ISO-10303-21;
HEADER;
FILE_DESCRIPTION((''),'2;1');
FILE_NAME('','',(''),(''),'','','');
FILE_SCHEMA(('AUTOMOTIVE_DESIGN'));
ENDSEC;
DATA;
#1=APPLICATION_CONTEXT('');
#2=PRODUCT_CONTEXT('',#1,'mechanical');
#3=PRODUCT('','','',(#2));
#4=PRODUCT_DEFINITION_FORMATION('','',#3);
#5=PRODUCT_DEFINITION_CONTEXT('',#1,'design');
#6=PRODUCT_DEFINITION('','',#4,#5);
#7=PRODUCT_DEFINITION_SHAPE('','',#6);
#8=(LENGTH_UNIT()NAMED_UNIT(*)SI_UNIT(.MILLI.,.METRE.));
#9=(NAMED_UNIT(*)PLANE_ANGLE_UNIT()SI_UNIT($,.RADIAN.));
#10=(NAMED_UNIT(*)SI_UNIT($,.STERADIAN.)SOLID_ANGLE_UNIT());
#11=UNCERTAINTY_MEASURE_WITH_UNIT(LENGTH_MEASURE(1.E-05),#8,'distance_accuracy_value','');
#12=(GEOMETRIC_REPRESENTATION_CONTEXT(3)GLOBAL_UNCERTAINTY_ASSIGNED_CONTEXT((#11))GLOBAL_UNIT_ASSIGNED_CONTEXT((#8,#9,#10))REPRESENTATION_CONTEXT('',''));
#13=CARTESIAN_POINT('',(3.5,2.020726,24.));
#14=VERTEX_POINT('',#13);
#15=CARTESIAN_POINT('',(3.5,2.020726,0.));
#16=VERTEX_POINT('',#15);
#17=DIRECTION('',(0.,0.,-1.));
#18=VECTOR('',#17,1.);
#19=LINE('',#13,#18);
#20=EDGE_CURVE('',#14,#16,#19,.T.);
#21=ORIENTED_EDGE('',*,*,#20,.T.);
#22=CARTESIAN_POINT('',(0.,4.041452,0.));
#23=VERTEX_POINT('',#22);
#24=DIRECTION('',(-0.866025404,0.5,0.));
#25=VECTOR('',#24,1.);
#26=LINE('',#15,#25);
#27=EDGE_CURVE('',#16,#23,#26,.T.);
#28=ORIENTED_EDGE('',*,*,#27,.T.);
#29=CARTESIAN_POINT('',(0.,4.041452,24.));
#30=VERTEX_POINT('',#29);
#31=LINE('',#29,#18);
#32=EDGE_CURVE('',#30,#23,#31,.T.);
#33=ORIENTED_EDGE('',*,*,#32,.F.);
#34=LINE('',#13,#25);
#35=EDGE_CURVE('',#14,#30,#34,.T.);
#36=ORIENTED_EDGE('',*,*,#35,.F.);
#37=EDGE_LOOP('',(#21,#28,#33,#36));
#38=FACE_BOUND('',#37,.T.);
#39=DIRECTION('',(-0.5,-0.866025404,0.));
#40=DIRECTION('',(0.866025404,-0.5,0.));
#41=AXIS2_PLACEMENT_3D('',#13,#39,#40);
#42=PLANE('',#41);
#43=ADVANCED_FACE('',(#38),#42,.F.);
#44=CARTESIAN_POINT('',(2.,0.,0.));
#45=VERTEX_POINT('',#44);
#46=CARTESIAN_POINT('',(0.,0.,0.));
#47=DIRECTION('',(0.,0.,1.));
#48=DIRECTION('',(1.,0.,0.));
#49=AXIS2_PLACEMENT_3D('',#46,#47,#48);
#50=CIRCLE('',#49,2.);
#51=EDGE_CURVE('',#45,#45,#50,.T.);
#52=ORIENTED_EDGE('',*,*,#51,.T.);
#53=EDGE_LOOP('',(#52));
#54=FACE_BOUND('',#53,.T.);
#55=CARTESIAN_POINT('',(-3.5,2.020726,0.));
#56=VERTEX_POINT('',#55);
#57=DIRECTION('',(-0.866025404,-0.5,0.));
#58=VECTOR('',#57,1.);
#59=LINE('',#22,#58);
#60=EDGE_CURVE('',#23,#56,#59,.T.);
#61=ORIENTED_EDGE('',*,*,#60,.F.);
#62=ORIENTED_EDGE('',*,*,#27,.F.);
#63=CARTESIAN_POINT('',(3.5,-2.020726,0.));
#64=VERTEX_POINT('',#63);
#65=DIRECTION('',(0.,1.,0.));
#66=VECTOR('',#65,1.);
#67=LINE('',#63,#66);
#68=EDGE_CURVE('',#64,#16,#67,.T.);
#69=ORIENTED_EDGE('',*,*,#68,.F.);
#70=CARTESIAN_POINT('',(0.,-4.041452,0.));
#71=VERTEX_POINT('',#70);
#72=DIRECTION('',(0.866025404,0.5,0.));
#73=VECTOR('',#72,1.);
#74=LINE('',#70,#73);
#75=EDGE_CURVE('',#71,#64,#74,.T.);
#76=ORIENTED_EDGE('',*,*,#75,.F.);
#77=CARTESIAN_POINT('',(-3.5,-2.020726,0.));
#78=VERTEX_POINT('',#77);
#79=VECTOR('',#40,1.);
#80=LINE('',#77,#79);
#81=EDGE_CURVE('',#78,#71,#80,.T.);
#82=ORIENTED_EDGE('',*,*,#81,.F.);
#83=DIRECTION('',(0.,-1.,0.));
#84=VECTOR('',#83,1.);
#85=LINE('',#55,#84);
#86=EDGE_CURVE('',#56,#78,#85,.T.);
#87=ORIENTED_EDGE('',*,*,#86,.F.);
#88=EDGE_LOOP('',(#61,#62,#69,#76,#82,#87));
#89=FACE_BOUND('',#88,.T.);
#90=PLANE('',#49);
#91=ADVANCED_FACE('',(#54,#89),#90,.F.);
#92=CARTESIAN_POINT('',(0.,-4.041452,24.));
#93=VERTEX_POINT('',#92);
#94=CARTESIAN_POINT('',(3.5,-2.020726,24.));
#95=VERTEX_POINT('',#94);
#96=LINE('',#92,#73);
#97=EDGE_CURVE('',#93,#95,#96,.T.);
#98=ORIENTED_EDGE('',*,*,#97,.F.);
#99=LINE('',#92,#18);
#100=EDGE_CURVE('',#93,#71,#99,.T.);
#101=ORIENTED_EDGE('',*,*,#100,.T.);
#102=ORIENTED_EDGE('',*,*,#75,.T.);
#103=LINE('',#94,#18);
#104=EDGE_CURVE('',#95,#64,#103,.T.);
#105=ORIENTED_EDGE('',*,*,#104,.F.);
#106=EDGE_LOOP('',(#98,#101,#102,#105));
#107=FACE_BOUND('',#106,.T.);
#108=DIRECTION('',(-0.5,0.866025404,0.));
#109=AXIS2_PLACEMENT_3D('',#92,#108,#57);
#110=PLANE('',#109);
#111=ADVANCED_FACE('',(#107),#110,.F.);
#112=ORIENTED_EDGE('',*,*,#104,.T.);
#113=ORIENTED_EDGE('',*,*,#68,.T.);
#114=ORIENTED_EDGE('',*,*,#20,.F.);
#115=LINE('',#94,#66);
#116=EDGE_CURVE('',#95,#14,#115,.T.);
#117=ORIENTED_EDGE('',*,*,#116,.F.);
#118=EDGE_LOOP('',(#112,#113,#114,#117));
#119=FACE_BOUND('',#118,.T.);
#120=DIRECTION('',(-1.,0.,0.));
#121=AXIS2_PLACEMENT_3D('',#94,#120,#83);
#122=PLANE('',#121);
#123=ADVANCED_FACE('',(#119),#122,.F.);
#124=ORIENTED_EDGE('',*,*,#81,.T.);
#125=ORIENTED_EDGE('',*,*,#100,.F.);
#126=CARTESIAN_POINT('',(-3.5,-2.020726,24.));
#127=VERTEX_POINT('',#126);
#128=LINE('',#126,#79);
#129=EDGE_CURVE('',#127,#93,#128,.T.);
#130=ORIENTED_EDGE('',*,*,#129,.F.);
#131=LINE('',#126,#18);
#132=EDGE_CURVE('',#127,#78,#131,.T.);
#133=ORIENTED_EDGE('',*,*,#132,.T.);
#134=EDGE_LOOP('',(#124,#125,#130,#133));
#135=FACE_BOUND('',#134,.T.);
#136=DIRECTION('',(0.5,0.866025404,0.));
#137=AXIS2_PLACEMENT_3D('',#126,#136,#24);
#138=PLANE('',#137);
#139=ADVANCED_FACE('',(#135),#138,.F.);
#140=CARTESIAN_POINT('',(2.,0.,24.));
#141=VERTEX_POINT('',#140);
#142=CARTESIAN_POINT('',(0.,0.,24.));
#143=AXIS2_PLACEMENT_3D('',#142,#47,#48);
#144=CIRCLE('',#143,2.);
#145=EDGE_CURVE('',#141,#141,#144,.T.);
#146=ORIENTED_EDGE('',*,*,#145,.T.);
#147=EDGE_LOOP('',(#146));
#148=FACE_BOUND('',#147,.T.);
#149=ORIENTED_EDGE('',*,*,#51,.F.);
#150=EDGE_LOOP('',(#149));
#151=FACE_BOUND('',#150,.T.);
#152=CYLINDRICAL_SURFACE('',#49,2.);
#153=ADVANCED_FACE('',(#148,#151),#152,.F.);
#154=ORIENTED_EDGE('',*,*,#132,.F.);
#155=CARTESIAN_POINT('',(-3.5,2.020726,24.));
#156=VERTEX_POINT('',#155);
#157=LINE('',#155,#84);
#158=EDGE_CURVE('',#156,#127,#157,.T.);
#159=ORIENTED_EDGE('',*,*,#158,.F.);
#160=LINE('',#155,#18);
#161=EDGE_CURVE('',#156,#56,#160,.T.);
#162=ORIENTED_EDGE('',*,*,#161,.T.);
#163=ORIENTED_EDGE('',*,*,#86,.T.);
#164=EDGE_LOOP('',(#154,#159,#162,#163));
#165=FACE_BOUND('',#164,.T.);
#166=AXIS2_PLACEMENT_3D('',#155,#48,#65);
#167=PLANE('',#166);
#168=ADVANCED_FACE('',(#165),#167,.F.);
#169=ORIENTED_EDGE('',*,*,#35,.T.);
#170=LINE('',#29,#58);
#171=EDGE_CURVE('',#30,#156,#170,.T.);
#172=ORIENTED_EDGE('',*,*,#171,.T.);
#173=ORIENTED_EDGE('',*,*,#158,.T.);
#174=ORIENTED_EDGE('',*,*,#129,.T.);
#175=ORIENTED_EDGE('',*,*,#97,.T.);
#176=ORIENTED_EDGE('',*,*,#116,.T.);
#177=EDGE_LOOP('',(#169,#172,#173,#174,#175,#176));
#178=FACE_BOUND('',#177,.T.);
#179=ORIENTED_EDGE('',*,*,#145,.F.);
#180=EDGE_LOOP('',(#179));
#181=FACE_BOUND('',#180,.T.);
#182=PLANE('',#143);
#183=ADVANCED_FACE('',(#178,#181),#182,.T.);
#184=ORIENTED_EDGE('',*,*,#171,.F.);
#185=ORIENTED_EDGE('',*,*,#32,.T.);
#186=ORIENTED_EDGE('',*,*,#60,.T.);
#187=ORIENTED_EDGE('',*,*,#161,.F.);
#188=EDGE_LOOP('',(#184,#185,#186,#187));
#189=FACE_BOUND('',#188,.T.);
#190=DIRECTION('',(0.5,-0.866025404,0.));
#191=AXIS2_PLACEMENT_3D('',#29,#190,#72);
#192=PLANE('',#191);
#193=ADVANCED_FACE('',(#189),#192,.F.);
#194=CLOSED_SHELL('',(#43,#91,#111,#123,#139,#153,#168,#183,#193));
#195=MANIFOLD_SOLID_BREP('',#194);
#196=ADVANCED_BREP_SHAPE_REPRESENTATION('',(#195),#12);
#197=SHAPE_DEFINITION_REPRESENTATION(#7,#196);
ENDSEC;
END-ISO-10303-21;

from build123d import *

# Parameters (mm, degrees)
ESTRUSIONE_ESTRUSIONE1_DEPTH = 24
SCHIZZO2_R                   = 2
TAGLIO_ESTRUSIONE1_DEPTH     = 25.588276339


with BuildPart() as part:
    # Schizzo1 → Estrusione-Estrusione1 (new body)
    with BuildSketch(Plane.XY):
        Polygon((0, 4.041451884), (-3.5, 2.020725942), (-3.5, -2.020725942), (0, -4.041451884), (3.5, -2.020725942), (3.5, 2.020725942), align=None)
    extrude(amount=ESTRUSIONE_ESTRUSIONE1_DEPTH)

    # Schizzo2 → Taglio-Estrusione1 (cut, through all)
    with BuildSketch(Plane.XY.offset(24)):
        Circle(SCHIZZO2_R)
    extrude(amount=-TAGLIO_ESTRUSIONE1_DEPTH, mode=Mode.SUBTRACT)


solid = part.part
